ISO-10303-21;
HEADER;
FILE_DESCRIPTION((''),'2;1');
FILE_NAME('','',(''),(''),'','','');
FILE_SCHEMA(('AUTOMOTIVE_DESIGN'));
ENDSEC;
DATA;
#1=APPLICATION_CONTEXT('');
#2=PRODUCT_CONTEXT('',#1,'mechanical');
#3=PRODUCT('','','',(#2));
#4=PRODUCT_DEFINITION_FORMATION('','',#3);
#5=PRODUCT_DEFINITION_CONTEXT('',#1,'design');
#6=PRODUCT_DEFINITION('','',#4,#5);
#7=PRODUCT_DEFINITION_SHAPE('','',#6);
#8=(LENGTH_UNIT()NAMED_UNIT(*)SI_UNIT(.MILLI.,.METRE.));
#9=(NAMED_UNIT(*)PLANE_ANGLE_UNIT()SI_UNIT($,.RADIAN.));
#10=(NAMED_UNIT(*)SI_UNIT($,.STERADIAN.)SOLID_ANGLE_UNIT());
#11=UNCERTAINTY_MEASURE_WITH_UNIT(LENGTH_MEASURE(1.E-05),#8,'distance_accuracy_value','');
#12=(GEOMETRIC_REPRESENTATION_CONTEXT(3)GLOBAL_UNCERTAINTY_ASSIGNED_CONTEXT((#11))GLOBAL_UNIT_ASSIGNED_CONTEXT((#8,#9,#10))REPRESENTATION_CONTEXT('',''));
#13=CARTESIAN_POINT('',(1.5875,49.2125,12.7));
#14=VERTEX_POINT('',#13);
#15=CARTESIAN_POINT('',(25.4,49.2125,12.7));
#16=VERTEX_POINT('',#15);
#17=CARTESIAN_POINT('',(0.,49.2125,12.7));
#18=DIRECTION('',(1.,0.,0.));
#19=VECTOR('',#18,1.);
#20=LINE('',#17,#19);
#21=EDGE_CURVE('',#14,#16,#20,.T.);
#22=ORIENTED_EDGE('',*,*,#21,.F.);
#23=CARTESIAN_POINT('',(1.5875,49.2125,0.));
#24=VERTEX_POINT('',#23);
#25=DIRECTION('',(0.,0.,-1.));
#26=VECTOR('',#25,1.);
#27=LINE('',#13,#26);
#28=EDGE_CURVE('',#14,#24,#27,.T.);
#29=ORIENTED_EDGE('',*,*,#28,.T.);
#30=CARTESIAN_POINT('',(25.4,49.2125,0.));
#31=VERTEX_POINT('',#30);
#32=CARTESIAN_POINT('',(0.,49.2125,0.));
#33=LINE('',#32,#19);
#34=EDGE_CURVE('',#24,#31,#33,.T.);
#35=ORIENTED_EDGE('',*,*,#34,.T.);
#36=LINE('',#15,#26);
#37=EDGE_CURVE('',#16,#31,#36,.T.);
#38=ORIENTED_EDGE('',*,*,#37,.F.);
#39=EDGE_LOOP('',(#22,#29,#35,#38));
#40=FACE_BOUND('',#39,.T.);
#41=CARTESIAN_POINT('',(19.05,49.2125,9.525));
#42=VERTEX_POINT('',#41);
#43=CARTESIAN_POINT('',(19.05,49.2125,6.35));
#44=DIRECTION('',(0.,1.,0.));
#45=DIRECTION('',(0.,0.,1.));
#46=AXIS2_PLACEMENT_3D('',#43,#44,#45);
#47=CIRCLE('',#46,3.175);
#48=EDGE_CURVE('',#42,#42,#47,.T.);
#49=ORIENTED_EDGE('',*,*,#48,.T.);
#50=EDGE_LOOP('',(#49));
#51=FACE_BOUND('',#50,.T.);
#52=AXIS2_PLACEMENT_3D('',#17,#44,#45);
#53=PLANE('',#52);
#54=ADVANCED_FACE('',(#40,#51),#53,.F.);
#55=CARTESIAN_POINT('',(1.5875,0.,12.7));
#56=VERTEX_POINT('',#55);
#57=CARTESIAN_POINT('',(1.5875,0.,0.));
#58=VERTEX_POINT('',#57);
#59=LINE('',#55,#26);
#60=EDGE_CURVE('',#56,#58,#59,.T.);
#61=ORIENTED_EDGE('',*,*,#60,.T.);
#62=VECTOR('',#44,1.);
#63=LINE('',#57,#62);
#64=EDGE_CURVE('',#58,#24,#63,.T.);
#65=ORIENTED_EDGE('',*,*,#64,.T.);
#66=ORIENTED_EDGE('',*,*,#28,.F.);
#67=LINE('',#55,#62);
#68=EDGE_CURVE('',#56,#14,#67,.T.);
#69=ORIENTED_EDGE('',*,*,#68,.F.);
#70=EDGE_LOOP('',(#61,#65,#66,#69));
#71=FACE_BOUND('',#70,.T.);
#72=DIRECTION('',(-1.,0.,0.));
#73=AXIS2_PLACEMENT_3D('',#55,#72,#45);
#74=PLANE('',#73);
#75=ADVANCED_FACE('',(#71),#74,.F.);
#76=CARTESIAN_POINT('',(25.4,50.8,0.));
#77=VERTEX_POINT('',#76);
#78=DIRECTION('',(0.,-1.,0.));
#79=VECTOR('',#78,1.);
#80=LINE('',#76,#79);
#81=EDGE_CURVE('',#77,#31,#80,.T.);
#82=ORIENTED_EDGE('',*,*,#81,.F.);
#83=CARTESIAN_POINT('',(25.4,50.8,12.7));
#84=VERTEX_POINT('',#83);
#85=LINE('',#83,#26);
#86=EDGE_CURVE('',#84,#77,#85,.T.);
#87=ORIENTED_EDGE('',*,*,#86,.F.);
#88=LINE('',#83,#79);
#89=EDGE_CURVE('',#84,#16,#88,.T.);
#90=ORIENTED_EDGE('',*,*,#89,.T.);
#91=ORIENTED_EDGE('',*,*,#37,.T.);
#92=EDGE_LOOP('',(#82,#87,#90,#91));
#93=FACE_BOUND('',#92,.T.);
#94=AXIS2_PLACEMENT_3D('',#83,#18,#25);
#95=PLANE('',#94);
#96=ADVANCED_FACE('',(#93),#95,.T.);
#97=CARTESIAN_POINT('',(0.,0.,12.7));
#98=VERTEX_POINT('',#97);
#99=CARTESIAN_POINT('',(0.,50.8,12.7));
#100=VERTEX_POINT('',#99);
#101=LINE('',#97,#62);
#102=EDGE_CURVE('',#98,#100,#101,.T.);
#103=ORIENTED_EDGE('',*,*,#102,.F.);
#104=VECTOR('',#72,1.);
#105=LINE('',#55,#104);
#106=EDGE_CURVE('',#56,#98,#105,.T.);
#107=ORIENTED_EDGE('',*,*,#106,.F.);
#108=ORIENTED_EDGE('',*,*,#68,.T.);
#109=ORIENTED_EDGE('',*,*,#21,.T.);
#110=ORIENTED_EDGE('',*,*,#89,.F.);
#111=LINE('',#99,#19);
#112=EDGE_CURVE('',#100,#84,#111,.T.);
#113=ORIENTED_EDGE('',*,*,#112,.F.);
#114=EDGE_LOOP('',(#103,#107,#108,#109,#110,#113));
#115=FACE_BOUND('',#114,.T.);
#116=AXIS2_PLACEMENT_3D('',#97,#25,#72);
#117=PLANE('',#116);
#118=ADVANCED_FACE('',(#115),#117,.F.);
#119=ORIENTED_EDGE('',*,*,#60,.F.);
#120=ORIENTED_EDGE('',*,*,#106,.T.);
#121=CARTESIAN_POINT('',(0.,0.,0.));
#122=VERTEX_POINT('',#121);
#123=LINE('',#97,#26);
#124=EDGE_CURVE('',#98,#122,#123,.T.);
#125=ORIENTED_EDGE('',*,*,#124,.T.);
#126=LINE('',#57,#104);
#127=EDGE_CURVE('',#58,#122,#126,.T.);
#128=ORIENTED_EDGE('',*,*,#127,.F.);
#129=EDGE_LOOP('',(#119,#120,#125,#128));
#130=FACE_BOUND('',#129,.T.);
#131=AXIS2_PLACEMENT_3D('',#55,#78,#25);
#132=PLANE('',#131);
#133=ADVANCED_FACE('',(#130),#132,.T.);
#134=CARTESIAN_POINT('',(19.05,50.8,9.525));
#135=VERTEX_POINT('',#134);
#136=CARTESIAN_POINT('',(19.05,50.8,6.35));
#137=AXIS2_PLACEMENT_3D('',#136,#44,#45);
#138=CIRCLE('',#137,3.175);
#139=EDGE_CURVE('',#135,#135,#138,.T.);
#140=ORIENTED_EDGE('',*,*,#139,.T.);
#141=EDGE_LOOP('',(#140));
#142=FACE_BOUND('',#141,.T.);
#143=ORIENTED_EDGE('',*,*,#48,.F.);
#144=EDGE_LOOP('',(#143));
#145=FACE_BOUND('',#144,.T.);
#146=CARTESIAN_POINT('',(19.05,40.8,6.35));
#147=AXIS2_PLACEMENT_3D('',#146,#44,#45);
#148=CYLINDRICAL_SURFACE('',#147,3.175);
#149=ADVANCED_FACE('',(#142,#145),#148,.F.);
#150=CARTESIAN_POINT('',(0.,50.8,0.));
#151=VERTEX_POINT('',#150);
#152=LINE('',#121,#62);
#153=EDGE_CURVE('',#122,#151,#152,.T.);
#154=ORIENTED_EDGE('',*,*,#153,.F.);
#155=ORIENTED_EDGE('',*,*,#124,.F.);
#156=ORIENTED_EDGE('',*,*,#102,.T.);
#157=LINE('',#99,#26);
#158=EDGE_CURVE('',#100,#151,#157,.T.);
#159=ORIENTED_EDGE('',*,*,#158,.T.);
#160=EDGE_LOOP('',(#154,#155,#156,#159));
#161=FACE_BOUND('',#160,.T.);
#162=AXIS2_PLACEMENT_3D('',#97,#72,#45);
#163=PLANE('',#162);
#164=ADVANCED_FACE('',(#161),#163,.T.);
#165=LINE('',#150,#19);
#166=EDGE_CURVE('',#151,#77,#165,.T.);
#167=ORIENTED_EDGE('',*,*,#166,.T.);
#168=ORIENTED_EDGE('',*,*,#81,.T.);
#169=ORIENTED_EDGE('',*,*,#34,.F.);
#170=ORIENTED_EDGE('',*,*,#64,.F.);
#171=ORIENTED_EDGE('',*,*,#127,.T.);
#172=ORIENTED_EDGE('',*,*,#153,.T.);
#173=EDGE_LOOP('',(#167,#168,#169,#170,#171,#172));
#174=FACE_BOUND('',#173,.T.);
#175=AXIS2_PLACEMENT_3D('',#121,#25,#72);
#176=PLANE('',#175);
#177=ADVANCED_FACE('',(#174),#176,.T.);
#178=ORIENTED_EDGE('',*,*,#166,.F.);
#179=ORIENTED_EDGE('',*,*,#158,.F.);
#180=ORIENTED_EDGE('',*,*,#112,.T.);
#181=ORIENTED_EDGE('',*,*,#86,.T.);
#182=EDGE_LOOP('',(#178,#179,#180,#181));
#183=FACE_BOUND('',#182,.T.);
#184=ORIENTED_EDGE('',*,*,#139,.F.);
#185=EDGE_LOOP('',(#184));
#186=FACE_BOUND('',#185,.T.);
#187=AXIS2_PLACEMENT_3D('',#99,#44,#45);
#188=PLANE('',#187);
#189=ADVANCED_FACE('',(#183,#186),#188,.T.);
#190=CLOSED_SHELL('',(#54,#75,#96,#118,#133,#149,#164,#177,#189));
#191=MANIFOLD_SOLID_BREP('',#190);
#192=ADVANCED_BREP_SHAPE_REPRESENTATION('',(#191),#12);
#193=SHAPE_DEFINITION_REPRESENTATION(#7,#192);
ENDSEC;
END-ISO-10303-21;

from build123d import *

# Parameters (mm, degrees)
EXTRUDE_THIN1_DEPTH = 12.7
SKETCH2_R           = 3.175
CUT_EXTRUDE1_DEPTH  = 10


with BuildPart() as part:
    # Sketch1 → Extrude-Thin1 (new body)
    with BuildSketch(Plane.XY):
        Polygon((0, 0), (0, 50.8), (25.4, 50.8), (25.4, 49.2125), (1.5875, 49.2125), (1.5875, 0), align=None)
    extrude(amount=EXTRUDE_THIN1_DEPTH)

    # Sketch2 → Cut-Extrude1 (cut)
    with BuildSketch(Plane(origin=(0, 50.8, 0), x_dir=(1, 0, 0), z_dir=(0, 1, 0))):
        with Locations((19.05, -6.35)):
            Circle(SKETCH2_R)
    extrude(amount=-CUT_EXTRUDE1_DEPTH, mode=Mode.SUBTRACT)


solid = part.part
